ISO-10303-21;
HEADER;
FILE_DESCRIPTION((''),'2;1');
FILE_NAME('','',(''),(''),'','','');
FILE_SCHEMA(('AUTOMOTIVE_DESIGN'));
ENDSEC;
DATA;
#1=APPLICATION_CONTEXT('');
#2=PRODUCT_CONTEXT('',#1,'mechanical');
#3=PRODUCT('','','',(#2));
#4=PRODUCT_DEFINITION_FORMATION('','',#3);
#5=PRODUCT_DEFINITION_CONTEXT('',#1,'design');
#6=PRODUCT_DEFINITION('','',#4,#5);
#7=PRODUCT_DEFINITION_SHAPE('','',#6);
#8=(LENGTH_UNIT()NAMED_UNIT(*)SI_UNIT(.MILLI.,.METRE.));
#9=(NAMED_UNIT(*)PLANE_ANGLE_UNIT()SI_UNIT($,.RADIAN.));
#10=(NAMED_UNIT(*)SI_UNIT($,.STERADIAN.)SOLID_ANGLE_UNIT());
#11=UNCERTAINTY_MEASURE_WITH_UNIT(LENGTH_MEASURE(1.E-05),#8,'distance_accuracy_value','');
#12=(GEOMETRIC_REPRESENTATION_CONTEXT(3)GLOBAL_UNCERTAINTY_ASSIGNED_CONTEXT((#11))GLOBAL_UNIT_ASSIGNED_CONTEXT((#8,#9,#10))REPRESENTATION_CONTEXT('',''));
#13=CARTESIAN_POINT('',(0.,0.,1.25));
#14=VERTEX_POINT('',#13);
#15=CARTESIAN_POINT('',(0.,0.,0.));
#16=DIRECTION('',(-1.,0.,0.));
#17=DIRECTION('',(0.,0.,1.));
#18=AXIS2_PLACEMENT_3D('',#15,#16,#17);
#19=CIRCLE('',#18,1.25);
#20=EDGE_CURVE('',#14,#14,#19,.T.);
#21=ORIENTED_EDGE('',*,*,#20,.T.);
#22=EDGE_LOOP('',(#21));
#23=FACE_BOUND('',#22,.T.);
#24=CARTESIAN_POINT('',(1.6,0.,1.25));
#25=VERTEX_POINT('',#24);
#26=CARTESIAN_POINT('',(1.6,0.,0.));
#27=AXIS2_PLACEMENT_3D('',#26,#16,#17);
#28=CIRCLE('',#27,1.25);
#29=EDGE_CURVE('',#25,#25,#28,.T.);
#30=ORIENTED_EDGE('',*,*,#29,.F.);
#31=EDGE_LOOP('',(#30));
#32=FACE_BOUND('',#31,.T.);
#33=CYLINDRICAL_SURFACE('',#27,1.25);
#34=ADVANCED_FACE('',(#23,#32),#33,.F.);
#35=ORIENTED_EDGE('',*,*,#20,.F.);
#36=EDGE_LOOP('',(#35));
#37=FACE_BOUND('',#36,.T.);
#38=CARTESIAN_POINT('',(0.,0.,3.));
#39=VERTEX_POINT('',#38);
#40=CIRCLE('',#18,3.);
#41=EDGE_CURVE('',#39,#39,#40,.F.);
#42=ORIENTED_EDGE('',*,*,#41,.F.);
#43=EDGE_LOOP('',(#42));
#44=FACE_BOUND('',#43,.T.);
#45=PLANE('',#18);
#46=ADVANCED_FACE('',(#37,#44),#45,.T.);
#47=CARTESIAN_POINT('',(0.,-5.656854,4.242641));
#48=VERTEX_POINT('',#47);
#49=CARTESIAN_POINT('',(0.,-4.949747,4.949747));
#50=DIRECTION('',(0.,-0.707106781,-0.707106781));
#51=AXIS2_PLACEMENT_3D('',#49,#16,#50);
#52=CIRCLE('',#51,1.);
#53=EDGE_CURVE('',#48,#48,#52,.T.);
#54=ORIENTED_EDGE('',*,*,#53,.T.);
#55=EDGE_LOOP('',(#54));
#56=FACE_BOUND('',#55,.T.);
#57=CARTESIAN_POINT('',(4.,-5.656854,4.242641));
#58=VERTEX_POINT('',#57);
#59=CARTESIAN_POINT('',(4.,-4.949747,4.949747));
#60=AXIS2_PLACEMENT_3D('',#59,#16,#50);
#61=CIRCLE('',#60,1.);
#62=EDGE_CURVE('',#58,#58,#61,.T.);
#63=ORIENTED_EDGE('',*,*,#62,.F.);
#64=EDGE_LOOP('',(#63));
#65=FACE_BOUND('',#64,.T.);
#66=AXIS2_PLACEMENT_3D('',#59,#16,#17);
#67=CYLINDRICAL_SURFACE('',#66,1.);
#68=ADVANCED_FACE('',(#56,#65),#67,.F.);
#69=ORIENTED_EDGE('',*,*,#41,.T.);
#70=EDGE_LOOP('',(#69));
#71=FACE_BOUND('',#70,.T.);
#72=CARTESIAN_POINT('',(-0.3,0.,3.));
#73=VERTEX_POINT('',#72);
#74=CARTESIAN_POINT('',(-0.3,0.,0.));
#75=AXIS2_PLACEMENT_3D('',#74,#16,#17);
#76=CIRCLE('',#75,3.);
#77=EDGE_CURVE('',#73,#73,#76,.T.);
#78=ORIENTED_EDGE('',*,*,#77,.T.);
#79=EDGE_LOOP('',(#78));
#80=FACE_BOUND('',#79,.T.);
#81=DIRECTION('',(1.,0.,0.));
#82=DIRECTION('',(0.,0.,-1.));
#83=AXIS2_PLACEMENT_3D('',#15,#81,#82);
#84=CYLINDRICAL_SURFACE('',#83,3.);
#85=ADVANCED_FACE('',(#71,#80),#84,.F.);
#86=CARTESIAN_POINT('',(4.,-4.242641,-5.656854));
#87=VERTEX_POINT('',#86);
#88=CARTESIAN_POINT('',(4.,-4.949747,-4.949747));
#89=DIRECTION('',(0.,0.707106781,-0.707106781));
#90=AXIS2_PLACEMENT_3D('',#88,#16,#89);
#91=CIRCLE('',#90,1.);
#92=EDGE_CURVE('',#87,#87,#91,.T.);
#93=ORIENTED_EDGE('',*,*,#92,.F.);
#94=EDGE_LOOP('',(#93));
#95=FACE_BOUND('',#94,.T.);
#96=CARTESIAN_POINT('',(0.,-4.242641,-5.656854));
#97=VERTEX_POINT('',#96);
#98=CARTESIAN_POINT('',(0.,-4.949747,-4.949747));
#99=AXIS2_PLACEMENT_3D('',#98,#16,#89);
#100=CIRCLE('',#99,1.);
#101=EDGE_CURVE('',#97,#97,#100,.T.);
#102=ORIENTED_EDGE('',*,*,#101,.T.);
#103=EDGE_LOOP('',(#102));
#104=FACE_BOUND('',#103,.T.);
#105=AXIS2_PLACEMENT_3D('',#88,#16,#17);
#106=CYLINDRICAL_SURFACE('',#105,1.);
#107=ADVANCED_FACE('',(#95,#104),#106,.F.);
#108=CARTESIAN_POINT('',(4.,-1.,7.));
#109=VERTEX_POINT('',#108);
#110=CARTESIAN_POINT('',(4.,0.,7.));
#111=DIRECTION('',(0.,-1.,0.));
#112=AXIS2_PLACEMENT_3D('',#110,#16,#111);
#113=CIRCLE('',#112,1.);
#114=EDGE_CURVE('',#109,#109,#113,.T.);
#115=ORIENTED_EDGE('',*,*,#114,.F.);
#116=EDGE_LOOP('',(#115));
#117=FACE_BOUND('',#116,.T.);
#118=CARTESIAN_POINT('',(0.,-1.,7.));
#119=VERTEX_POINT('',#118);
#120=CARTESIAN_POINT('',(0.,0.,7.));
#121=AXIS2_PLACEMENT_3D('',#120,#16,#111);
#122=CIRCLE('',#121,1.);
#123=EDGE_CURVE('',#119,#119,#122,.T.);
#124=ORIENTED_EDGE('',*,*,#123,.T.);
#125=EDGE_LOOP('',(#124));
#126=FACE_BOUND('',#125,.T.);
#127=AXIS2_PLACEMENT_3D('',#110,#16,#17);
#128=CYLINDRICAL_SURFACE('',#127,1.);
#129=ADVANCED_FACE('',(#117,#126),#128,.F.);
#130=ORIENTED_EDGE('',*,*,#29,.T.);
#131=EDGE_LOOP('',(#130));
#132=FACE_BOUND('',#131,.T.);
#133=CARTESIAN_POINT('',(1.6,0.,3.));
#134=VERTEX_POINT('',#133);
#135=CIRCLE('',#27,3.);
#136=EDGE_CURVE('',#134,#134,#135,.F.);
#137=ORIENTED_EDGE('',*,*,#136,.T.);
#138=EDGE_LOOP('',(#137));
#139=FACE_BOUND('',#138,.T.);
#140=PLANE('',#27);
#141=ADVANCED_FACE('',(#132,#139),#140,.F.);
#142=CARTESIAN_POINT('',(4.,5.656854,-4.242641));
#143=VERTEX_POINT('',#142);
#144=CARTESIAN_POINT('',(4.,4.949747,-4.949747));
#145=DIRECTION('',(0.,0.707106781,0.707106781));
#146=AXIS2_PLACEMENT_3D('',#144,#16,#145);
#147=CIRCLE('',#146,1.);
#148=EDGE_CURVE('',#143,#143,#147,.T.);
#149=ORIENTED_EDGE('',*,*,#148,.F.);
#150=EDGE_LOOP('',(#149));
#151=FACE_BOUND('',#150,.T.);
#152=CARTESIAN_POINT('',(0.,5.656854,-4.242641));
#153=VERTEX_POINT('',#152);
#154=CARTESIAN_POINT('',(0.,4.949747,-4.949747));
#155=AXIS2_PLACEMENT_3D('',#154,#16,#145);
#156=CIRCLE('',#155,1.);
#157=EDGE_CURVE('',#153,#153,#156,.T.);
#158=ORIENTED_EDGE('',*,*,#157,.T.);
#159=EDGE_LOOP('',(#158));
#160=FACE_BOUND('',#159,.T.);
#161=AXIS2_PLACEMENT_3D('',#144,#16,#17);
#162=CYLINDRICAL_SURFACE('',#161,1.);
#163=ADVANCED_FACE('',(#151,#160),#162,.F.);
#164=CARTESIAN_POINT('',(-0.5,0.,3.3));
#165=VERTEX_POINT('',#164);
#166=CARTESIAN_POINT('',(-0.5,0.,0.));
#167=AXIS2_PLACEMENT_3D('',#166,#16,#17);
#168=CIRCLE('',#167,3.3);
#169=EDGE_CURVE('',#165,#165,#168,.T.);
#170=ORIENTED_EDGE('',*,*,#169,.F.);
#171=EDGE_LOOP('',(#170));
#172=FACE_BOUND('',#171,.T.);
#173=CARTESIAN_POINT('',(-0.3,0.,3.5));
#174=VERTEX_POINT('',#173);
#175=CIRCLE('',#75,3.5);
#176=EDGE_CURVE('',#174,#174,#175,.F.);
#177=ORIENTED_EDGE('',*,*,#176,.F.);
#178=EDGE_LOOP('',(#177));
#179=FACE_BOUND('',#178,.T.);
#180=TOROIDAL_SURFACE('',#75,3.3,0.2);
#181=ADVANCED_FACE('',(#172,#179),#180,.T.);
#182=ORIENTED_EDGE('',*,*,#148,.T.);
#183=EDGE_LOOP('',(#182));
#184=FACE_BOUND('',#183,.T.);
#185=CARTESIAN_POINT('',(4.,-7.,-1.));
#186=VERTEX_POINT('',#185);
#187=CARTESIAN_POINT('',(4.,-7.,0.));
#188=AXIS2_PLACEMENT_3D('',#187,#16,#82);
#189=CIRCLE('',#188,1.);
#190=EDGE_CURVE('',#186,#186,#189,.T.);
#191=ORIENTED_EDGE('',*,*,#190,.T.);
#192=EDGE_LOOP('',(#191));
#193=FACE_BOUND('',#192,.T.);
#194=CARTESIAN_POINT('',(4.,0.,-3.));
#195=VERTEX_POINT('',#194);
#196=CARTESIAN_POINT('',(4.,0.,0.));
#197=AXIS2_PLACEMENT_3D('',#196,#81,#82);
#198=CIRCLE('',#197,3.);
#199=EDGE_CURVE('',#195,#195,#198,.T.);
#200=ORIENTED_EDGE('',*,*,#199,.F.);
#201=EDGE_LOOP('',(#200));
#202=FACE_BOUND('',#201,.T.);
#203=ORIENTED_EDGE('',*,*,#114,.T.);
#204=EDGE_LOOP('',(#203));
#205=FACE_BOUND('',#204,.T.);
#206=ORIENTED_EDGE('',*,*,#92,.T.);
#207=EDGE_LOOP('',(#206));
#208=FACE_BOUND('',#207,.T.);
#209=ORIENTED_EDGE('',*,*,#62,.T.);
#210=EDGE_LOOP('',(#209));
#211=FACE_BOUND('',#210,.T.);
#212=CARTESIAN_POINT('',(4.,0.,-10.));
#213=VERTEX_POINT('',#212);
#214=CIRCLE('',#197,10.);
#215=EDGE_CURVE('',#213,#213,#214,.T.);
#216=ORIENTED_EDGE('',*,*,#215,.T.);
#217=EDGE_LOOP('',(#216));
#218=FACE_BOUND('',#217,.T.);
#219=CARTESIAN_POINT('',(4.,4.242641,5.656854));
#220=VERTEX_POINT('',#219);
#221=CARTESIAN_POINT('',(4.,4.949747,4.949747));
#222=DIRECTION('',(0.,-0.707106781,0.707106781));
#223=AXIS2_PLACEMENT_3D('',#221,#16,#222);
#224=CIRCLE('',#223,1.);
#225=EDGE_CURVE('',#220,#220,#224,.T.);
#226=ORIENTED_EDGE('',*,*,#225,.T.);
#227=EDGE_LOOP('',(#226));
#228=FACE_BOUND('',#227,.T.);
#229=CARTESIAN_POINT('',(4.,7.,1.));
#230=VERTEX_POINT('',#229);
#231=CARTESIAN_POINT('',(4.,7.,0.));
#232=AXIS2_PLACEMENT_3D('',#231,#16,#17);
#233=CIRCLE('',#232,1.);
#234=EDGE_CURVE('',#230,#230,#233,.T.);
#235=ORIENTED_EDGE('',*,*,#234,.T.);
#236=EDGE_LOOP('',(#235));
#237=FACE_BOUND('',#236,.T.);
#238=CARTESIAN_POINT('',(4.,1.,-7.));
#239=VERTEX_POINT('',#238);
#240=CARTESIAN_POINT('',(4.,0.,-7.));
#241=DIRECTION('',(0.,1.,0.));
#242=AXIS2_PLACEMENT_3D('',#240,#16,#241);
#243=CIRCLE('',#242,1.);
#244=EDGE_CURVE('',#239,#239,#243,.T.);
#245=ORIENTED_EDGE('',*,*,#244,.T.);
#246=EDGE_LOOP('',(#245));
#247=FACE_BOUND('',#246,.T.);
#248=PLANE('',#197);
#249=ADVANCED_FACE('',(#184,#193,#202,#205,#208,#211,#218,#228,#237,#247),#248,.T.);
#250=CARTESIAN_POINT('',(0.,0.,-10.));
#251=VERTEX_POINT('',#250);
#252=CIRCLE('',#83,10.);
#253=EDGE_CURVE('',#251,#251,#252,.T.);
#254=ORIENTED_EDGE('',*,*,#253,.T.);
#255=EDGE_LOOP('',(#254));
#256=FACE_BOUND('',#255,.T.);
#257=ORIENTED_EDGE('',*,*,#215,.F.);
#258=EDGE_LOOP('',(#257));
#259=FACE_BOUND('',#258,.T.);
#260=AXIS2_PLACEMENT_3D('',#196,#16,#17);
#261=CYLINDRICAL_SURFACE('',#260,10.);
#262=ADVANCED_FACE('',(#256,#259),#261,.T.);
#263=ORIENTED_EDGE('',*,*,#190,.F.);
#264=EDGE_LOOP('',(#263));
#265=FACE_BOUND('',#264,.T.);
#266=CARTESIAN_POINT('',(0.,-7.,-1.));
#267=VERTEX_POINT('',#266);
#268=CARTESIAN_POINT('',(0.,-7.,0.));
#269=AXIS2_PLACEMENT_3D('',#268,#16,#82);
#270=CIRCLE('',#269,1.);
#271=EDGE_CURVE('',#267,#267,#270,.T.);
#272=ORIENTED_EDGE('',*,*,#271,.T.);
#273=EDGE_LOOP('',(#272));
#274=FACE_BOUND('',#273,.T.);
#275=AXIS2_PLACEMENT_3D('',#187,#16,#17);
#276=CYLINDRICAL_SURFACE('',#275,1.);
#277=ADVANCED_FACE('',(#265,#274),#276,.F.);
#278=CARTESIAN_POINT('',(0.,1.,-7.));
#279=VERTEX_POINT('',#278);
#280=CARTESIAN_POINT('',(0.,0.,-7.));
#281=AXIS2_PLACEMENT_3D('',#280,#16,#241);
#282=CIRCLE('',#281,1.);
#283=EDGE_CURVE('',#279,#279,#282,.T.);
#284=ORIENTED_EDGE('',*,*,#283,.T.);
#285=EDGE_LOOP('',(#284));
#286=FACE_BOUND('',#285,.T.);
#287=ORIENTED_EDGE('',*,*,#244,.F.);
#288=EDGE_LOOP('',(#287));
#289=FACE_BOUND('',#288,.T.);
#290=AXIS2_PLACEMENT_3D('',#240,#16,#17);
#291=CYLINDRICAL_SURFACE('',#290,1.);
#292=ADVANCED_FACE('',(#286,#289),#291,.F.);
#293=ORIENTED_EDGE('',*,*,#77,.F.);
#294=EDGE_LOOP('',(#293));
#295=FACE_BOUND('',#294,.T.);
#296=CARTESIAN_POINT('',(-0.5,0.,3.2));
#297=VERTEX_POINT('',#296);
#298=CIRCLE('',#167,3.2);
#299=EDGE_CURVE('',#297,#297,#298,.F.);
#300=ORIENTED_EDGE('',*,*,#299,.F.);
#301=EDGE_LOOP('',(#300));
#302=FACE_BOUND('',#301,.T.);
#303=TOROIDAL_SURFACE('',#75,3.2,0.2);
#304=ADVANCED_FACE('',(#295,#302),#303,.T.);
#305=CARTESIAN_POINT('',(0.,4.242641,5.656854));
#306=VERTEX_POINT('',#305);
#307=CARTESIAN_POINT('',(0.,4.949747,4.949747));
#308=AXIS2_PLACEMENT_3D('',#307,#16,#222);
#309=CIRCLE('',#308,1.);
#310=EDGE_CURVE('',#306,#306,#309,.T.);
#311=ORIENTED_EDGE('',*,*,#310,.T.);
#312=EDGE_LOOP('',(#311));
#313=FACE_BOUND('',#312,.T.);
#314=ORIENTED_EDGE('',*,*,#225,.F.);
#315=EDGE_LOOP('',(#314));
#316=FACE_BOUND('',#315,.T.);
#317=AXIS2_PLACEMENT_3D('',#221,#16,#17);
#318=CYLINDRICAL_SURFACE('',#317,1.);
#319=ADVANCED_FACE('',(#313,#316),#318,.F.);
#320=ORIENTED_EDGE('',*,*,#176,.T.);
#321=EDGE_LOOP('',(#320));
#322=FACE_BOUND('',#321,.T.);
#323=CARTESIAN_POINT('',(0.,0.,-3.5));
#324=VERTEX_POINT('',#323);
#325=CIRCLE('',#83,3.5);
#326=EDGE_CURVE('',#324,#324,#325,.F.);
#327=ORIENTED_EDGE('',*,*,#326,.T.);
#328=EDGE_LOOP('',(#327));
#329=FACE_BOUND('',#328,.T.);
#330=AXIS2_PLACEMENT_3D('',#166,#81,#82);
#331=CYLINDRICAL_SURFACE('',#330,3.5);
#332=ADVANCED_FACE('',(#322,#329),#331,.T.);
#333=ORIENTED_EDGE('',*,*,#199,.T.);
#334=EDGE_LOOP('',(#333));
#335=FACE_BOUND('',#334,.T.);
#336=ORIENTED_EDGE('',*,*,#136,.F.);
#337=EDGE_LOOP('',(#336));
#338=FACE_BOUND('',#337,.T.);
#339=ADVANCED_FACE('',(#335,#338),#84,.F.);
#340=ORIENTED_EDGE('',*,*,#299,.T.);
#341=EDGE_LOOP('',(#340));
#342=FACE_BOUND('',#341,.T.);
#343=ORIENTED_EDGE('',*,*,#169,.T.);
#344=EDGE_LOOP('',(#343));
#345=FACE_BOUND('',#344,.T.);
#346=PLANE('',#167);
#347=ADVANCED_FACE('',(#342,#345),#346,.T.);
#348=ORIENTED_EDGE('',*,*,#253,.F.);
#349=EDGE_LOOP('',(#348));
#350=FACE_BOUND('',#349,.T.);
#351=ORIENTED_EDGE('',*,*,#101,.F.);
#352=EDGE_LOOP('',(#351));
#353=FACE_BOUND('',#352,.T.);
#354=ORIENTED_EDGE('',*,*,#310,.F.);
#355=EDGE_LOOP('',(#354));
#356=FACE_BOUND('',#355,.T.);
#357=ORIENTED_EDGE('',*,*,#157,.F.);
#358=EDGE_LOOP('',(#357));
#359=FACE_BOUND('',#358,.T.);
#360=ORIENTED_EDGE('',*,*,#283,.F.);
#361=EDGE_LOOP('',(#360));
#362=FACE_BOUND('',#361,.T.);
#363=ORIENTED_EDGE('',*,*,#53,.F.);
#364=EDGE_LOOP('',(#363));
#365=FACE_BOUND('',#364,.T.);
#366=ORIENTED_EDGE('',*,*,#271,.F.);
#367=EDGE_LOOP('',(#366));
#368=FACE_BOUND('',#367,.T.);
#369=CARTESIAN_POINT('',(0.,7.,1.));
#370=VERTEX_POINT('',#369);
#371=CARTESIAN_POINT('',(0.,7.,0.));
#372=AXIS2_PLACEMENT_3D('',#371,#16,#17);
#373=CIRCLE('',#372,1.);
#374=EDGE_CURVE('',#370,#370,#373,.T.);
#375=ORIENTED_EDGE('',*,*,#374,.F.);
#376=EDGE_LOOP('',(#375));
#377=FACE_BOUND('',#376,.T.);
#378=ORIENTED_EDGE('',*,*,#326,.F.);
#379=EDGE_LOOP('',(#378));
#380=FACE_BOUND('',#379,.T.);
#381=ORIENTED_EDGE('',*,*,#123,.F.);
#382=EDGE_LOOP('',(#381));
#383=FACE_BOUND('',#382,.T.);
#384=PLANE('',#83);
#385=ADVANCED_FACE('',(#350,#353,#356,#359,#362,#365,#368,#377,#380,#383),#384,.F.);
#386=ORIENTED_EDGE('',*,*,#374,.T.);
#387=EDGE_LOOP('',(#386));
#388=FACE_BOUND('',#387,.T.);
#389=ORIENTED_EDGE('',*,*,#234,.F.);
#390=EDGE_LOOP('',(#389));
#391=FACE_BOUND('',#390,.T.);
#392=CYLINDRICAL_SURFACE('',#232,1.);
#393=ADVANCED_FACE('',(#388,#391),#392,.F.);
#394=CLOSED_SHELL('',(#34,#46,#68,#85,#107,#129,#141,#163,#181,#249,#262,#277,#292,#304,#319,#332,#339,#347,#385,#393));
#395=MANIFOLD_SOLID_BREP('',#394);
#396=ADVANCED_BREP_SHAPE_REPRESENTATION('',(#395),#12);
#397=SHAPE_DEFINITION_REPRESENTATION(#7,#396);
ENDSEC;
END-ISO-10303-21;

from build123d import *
from build123d.topology import SkipClean

# Parameters (mm, degrees)
SKETCH_1_R               = 10
EXTRUDE_1_DEPTH          = 4
SKETCH_3_R               = 3
CUT_EXTRUDE_1_DEPTH      = 15.696938457
SKETCH_5_R               = 1
CUT_EXTRUDE_2_DEPTH      = 15.696938457
PATTERN_CIRCULAR_1_COUNT = 8
SKETCH_6_R               = 3.5
SKETCH_6_R_2             = 3
EXTRUDE_3_DEPTH          = 0.5
FILLET_3_R               = 0.2
EXTRUDE_START            = -1.6
SKETCH_7_R               = 3.5
SKETCH_7_R_2             = 1.25
EXTRUDE_4_DEPTH          = 1.6


with BuildPart() as part:
    # 草图1 → 凸台-拉伸1 (new body)
    with BuildSketch(Plane(origin=(0, 0, 0), x_dir=(0, 0, -1), z_dir=(1, 0, 0))):
        Circle(SKETCH_1_R)
    extrude(amount=EXTRUDE_1_DEPTH)

    # 草图3 → 切除-拉伸1 (cut, through all)
    with BuildSketch(Plane(origin=(4, 0, 0), x_dir=(0, 0, -1), z_dir=(1, 0, 0))):
        Circle(SKETCH_3_R)
    extrude(amount=-CUT_EXTRUDE_1_DEPTH, mode=Mode.SUBTRACT)

    # 草图5 → 切除-拉伸2 (cut, through all)
    with BuildSketch(Plane.ZY):
        with Locations((0, 7)):
            Circle(SKETCH_5_R)
    cut_extrude_2 = extrude(amount=-CUT_EXTRUDE_2_DEPTH, mode=Mode.SUBTRACT)

    # 阵列(圆周)1: 切除-拉伸2 ×8 about axis
    pattern_circular_1_axis = Axis((0, 0, 0), (1, 0, 0))
    for i in range(1, PATTERN_CIRCULAR_1_COUNT):
        add(cut_extrude_2.rotate(pattern_circular_1_axis, i * 360 / PATTERN_CIRCULAR_1_COUNT), mode=Mode.SUBTRACT)

    # 草图6 → 凸台-拉伸3 (add)
    with SkipClean():  # the faces are left unmerged after this step: merging them gives an invalid solid
        with BuildSketch(Plane.ZY):
            Circle(SKETCH_6_R)
            Circle(SKETCH_6_R_2, mode=Mode.SUBTRACT)
        extrude(amount=EXTRUDE_3_DEPTH)

    # 圆角3
    fillet_3_edges = [part.edges().sort_by_distance(p)[0] for p in [
        (-0.5, 0, -3),
        (-0.5, 0, -3.5),
    ]]
    fillet(fillet_3_edges, radius=FILLET_3_R)

    # 草图7 → 凸台-拉伸4 (add)
    with BuildSketch(Plane.ZY.offset(EXTRUDE_START)):
        Circle(SKETCH_7_R)
        Circle(SKETCH_7_R_2, mode=Mode.SUBTRACT)
    extrude(amount=EXTRUDE_4_DEPTH)


solid = part.part
